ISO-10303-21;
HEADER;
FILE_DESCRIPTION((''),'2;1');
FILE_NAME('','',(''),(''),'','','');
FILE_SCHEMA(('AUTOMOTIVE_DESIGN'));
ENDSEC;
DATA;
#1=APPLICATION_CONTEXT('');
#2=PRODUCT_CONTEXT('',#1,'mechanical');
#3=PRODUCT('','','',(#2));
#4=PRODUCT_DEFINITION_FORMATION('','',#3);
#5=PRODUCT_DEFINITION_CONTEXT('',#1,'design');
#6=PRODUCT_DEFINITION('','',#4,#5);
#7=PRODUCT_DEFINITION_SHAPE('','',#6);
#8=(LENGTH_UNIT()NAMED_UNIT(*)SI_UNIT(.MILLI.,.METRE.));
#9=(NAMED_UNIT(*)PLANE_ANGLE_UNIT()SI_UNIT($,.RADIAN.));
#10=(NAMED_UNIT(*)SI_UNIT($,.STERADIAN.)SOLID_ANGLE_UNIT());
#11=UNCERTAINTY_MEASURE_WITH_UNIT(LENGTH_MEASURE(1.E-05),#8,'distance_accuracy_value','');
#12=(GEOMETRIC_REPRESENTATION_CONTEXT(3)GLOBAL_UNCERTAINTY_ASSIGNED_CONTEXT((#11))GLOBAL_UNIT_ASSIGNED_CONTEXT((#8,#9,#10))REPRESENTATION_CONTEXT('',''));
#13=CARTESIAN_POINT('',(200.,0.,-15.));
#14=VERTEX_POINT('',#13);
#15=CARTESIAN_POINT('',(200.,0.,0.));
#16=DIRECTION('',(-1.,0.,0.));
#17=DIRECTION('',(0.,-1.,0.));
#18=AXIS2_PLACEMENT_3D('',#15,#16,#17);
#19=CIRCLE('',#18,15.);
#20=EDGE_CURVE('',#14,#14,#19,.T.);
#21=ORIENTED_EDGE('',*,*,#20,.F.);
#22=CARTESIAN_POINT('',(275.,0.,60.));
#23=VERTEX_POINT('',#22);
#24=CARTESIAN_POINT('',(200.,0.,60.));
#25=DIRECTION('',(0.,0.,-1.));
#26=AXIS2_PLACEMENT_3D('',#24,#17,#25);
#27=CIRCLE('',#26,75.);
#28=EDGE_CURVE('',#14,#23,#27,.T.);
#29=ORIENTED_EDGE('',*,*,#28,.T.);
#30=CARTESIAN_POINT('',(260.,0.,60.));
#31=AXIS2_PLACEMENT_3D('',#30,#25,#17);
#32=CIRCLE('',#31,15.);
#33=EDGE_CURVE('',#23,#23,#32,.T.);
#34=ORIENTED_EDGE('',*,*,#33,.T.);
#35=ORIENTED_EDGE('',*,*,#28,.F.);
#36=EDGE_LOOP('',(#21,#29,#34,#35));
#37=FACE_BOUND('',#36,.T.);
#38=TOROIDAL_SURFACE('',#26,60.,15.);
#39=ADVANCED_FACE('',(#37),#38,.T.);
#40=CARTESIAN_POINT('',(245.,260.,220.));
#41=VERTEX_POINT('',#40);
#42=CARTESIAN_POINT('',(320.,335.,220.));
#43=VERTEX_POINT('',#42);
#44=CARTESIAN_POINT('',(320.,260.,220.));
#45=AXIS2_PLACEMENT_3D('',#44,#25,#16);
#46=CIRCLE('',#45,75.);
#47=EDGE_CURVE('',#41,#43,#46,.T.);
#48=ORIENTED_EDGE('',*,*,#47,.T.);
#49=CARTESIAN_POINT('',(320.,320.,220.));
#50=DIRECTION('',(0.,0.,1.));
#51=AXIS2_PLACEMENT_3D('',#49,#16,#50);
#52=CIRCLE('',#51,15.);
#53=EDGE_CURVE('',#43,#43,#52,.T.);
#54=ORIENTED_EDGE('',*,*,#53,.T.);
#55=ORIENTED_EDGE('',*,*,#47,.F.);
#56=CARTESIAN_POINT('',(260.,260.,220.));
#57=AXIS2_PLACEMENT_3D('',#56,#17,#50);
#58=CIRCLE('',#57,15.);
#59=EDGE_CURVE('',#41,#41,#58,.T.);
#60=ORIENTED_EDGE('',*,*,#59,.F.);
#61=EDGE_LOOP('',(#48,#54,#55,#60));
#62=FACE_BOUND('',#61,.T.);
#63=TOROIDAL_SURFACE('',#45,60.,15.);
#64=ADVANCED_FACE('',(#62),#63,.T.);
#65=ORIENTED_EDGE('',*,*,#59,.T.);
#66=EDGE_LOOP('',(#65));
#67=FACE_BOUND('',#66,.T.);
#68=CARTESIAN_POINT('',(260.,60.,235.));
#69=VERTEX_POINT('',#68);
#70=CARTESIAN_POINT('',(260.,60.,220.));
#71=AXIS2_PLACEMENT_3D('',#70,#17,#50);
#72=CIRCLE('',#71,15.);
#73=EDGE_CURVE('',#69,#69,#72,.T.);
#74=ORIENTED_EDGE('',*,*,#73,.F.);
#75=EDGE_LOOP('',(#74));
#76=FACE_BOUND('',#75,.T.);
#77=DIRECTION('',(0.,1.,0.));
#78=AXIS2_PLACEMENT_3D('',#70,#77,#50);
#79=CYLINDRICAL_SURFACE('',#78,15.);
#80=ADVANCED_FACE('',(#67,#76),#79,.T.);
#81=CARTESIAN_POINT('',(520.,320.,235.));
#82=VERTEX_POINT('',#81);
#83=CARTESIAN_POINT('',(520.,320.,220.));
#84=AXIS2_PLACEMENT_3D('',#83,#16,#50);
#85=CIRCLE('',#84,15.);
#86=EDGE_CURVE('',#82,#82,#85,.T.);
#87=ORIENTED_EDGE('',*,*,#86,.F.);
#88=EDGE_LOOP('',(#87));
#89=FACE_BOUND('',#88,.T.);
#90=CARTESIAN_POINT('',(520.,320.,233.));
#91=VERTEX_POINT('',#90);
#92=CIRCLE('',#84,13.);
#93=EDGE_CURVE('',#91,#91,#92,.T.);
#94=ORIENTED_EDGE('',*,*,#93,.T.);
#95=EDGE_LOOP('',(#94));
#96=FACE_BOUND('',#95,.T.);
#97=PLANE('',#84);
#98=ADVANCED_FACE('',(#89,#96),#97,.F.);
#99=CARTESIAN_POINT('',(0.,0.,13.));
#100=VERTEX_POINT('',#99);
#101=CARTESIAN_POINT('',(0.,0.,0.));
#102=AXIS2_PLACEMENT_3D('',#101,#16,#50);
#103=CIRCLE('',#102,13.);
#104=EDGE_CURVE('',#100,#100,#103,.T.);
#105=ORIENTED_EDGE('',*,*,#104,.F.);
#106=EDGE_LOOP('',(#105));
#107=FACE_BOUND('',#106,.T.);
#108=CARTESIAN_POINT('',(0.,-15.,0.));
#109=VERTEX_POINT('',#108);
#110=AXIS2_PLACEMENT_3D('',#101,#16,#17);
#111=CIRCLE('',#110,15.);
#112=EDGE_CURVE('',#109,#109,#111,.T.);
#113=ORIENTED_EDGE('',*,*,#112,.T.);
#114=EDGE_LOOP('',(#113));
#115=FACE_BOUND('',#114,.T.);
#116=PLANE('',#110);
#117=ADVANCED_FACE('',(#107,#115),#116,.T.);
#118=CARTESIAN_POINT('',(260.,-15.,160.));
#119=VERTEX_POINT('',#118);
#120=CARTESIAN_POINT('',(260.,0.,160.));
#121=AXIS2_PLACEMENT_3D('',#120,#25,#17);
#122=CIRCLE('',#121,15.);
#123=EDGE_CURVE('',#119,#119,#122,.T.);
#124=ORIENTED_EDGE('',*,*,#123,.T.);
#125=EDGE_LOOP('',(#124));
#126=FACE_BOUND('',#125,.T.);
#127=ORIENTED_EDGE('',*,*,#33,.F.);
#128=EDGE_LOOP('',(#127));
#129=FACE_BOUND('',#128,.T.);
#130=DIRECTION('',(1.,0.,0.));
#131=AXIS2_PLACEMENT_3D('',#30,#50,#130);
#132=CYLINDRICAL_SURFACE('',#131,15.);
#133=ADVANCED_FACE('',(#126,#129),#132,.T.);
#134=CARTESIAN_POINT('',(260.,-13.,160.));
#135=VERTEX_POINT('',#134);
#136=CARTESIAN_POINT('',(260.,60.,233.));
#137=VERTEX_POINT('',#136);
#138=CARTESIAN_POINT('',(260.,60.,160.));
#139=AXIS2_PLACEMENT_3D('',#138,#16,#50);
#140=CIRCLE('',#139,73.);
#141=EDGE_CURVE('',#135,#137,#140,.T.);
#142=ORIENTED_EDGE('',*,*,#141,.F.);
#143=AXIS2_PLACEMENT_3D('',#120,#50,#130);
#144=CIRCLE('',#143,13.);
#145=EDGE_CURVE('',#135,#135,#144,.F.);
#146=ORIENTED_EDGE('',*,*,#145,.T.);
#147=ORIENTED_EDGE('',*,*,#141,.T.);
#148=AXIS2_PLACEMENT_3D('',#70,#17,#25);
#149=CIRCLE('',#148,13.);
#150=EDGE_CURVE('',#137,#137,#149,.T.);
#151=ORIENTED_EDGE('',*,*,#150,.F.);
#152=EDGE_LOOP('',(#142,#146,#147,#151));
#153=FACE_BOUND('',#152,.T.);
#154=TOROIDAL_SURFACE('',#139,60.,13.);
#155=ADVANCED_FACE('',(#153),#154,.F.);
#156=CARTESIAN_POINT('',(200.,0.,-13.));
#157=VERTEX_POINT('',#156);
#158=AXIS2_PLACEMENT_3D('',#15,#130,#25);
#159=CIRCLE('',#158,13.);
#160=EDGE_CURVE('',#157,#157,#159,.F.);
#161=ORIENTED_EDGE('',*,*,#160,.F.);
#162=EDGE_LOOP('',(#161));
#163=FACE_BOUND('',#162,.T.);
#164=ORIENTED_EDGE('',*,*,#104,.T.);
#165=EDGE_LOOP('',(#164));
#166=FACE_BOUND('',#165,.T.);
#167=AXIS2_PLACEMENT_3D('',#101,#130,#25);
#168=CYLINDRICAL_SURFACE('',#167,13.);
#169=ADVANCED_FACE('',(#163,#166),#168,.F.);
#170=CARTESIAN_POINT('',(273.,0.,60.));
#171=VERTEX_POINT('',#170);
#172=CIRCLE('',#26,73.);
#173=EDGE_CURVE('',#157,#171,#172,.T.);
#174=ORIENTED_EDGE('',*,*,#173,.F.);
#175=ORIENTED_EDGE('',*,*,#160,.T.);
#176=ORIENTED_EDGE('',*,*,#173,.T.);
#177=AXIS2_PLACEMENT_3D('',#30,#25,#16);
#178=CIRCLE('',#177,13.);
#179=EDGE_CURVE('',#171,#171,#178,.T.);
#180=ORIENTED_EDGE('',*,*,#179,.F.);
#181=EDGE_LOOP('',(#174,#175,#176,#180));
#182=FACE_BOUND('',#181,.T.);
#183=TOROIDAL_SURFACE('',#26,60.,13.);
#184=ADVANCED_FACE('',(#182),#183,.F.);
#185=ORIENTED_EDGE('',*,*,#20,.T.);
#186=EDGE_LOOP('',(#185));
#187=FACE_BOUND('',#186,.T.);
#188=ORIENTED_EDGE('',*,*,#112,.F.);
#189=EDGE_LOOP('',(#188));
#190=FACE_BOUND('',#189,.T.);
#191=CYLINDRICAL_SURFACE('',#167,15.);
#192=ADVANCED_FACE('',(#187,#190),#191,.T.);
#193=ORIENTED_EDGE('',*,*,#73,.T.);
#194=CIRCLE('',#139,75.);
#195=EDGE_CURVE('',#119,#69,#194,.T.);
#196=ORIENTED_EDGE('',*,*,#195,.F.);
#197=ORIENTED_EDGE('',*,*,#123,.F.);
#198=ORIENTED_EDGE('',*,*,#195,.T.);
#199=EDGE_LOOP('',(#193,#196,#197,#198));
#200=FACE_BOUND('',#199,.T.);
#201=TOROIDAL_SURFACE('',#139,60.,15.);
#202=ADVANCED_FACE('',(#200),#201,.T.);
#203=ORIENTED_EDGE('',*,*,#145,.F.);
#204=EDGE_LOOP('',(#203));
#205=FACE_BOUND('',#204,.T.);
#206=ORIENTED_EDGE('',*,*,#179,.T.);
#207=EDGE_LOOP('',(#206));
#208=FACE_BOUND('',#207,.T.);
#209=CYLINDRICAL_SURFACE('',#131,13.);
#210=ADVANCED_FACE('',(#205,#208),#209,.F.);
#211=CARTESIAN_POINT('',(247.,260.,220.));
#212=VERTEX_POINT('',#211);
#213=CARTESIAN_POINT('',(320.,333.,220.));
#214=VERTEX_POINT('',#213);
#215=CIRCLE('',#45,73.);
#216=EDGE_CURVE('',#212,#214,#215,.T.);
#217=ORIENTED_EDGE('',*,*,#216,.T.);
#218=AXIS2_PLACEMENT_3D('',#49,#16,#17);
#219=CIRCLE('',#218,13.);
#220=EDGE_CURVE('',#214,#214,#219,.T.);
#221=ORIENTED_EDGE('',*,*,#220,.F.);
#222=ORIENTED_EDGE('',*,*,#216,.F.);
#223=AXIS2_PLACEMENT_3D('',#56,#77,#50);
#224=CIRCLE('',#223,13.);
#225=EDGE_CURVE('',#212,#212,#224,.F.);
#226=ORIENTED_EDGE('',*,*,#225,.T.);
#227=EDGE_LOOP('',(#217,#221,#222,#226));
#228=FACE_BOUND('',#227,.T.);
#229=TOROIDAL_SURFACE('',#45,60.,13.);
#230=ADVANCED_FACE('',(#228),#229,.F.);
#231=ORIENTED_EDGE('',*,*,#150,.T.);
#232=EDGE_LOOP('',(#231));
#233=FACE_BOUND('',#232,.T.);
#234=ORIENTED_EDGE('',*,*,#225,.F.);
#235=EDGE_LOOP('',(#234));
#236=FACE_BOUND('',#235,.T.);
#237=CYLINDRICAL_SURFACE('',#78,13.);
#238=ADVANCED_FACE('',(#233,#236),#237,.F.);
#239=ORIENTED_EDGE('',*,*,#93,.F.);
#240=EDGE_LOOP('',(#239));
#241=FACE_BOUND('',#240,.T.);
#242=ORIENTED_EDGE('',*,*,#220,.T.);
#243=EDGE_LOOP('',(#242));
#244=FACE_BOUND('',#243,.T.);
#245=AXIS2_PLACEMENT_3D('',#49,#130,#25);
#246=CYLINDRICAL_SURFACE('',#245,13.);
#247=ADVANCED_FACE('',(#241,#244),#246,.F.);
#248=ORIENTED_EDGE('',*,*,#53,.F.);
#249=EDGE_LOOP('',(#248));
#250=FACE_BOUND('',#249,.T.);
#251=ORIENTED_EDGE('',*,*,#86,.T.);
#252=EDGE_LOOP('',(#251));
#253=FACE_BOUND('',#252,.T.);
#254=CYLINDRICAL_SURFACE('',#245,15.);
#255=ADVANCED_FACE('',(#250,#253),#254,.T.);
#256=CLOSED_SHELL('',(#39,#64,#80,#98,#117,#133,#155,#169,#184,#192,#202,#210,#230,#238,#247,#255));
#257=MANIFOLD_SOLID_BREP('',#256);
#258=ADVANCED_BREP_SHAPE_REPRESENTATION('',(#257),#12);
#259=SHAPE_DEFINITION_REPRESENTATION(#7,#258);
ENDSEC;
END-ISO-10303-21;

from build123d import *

# Parameters (mm, degrees)
SWEEP_THIN1_PROFILE_R   = 15
SWEEP_THIN1_PROFILE_R_2 = 13


with BuildPart() as part:
    # Sweep-Thin1: sweep along a curve in space
    with BuildLine() as sweep_thin1_path:
        Line((0, 0, 0), (200, 0, 0))
        ThreePointArc((260, 0, 60), (242.426406871, 0, 17.573593129), (200, 0, 0))
        Line((260, 0, 60), (260, 0, 160))
        ThreePointArc((260, 60, 220), (260, 17.573593129, 202.426406871), (260, 0, 160))
        Line((260, 60, 220), (260, 260, 220))
        ThreePointArc((320, 320, 220), (277.573593129, 302.426406871, 220), (260, 260, 220))
        Line((320, 320, 220), (520, 320, 220))
    # Sweep-Thin1 profile (on start of the path) → Sweep-Thin1 (sweep)
    with BuildSketch(Plane(origin=(0, 0, 0), x_dir=(0, 0, 1), z_dir=(1, 0, 0))):
        Circle(SWEEP_THIN1_PROFILE_R)
        Circle(SWEEP_THIN1_PROFILE_R_2, mode=Mode.SUBTRACT)
    sweep(path=sweep_thin1_path.line)


solid = part.part
